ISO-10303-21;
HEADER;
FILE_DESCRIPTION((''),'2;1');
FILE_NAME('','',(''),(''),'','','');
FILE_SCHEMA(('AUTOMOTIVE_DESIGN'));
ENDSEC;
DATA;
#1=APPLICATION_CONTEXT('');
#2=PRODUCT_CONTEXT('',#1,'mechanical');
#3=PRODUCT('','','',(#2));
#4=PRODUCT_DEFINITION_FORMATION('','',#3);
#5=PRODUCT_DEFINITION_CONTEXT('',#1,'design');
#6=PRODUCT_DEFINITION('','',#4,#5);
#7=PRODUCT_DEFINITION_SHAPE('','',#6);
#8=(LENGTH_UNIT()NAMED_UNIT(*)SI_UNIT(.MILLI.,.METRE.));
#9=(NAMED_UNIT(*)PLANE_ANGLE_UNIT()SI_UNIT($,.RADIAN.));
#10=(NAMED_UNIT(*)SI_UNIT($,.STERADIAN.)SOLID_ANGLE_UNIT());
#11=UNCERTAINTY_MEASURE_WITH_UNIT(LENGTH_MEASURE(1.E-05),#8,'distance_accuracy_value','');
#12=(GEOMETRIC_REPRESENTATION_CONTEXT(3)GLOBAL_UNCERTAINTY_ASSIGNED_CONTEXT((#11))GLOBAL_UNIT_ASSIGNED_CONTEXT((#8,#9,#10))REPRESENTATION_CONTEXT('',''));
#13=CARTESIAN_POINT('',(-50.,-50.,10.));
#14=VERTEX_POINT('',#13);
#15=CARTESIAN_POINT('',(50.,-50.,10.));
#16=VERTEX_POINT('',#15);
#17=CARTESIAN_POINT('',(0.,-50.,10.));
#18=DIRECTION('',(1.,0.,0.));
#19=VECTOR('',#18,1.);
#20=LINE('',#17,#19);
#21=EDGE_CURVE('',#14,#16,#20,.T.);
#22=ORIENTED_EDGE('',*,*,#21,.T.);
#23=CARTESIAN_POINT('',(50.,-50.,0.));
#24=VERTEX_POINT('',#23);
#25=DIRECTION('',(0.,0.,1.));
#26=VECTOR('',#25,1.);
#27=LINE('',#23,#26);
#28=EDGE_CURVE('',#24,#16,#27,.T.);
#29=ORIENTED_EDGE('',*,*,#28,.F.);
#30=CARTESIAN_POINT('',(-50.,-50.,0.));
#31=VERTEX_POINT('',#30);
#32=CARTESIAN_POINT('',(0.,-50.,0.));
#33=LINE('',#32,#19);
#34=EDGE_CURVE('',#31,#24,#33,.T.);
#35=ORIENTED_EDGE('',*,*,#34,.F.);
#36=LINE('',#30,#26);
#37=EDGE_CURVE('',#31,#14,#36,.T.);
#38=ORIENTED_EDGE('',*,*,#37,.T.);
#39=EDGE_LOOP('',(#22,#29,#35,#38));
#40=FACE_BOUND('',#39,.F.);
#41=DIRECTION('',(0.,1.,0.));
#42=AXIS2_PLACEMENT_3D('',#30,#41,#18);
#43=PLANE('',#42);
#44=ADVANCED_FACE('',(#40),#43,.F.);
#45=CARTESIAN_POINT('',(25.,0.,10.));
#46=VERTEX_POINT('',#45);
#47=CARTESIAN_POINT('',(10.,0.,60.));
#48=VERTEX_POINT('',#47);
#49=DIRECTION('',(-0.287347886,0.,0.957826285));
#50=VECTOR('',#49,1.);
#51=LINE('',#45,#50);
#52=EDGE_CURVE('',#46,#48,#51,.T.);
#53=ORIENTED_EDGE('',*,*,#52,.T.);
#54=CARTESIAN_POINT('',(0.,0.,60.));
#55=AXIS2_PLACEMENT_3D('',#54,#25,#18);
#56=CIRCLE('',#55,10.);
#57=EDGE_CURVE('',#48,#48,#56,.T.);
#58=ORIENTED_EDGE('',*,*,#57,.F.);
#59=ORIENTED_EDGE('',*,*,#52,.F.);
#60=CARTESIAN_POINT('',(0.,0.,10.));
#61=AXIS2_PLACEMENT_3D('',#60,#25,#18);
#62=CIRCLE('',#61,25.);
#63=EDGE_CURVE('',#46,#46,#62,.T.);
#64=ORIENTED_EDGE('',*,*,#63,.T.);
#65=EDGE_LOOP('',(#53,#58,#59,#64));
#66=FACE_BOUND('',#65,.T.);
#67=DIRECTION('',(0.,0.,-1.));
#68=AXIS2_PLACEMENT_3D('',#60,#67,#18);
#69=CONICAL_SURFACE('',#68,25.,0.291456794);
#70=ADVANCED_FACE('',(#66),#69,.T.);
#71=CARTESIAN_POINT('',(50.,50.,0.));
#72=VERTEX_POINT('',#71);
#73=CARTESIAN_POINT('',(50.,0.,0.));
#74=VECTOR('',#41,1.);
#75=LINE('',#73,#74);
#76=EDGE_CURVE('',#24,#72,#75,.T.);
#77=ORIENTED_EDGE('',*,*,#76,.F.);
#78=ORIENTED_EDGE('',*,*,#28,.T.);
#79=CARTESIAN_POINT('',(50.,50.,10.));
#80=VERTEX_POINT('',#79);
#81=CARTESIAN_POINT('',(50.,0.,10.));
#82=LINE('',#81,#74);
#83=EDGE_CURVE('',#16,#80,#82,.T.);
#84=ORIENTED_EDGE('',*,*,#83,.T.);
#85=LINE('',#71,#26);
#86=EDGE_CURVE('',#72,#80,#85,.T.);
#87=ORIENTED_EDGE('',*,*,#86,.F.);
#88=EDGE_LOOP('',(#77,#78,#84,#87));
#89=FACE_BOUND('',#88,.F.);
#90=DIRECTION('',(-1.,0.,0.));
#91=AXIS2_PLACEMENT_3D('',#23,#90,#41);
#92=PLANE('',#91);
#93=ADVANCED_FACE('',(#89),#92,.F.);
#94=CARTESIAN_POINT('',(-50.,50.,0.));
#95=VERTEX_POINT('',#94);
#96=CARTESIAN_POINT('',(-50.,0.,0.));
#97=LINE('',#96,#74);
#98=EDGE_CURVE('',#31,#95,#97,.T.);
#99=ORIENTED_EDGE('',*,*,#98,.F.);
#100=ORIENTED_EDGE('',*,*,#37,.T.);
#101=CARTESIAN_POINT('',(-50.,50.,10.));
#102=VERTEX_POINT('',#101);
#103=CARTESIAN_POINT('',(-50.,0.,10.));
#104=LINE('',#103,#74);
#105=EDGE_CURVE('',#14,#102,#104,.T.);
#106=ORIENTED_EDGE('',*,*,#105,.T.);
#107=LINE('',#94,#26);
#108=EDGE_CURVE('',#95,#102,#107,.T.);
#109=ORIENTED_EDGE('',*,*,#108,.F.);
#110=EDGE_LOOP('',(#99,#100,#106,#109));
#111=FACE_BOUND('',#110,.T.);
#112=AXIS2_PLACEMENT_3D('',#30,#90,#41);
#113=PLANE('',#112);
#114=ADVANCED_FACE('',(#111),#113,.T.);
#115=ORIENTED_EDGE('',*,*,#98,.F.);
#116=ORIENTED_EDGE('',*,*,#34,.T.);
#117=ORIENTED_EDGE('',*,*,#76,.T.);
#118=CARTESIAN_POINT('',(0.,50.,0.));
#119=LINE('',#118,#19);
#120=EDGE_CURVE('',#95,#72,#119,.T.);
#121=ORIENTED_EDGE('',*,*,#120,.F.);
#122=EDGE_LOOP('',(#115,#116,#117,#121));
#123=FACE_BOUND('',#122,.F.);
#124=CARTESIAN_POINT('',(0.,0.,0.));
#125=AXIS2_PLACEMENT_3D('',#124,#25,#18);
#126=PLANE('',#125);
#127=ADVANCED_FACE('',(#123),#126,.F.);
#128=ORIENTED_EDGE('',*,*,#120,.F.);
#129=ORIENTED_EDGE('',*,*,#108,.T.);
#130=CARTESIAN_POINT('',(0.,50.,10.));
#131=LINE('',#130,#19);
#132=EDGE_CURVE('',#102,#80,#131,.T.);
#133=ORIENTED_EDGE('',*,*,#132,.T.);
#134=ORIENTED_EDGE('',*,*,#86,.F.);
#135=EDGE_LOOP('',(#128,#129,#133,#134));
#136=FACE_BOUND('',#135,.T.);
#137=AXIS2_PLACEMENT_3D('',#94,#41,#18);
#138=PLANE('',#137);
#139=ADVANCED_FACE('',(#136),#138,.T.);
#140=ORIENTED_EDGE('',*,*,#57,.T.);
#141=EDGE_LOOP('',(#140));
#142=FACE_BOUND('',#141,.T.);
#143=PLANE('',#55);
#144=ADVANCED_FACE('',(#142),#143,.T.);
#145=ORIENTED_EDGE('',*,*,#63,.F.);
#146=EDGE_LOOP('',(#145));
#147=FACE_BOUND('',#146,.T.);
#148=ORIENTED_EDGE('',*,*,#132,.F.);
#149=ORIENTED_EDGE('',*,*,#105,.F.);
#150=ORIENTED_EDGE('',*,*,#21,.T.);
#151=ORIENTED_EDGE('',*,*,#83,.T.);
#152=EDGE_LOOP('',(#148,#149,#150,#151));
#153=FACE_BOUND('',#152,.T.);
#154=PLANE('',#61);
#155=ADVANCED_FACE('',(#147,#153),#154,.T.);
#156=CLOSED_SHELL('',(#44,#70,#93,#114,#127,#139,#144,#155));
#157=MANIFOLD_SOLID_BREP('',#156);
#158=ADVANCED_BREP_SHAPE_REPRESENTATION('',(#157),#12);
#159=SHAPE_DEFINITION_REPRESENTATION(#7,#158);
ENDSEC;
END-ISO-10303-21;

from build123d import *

# Parameters (mm, degrees)
SKETCH_W  = 100
SKETCH_H  = 100
PAD_DEPTH = 10


with BuildPart() as part:
    # Sketch → Pad (new body)
    with BuildSketch(Plane.XY):
        Rectangle(SKETCH_W, SKETCH_H)
    extrude(amount=PAD_DEPTH)

    # Cone → Cone (revolve)
    with BuildSketch(Plane(origin=(0, 0, 10), x_dir=(1, 0, 0), z_dir=(0, -1, 0))):
        Polygon((0, 0), (25, 0), (10, 50), (0, 50), align=None)
    revolve(axis=Axis((0, 0, 10), (0, 0, 1)))


solid = part.part
